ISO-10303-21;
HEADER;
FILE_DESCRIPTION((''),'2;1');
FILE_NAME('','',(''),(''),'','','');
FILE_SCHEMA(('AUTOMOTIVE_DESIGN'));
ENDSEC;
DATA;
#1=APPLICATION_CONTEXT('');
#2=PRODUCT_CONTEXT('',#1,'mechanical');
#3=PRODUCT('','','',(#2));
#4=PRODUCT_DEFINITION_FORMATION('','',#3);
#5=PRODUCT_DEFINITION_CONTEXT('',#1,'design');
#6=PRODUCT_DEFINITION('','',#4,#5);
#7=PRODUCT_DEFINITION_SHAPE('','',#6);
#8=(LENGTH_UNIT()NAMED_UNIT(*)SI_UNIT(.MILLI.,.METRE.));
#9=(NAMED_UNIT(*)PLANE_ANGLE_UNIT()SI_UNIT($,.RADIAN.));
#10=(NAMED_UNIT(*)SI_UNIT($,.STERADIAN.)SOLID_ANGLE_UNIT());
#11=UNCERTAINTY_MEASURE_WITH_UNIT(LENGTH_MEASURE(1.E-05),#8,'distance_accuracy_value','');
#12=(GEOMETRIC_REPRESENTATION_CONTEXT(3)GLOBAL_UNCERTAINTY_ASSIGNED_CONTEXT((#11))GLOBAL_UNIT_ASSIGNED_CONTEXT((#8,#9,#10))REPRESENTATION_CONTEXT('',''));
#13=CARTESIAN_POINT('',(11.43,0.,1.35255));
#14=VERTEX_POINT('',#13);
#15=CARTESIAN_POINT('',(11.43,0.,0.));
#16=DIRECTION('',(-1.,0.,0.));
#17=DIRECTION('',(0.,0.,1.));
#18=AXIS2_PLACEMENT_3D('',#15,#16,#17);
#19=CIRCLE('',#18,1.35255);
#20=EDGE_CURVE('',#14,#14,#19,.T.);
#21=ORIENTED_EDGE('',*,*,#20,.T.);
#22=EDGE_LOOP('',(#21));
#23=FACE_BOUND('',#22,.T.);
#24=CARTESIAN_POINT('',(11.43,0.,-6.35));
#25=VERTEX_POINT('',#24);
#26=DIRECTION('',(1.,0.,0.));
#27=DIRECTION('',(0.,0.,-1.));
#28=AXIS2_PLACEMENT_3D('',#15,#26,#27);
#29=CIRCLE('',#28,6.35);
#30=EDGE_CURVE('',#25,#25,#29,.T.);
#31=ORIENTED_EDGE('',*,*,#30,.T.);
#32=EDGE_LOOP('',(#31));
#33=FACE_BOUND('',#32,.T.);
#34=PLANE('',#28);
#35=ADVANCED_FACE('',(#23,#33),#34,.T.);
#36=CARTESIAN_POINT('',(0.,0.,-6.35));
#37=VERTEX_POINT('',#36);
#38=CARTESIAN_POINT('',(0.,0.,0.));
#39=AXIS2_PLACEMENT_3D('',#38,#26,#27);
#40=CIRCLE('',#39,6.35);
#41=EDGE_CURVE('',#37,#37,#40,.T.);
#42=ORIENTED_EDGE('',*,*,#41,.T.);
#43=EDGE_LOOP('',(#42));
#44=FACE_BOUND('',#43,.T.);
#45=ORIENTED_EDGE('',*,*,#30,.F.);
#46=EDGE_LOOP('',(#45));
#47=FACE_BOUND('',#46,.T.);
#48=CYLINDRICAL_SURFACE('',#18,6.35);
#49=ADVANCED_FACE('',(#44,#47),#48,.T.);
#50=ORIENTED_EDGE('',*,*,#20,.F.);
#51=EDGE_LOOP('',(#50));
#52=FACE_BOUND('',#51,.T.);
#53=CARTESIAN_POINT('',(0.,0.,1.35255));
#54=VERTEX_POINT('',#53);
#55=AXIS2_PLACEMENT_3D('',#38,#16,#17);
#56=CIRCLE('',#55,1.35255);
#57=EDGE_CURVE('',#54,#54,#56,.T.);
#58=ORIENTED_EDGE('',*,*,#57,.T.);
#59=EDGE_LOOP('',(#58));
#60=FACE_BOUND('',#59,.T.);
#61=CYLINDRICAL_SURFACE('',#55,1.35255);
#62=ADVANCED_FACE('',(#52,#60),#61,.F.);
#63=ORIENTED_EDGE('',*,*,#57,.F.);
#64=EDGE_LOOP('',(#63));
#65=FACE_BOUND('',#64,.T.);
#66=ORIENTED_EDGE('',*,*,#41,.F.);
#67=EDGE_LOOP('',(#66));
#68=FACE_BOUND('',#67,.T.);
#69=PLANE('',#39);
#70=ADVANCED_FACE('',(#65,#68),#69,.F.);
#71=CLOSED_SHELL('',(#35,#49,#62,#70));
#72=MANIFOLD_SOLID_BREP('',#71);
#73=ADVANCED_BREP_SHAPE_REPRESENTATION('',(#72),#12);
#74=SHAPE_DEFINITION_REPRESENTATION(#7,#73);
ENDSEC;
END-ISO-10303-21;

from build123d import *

# Parameters (mm, degrees)
SKETCH1_R             = 6.35
BOSS_EXTRUDE1_DEPTH   = 11.43
F_6_32_TAPPED_HOLE1_D = 2.7051


with BuildPart() as part:
    # Sketch1 → Boss-Extrude1 (new body)
    with BuildSketch(Plane(origin=(0, 0, 0), x_dir=(0, 0, -1), z_dir=(1, 0, 0))):
        Circle(SKETCH1_R)
    extrude(amount=BOSS_EXTRUDE1_DEPTH)

    # #6-32 Tapped Hole1 (through all)
    with Locations(Plane.ZY):
        with Locations((0, 0)):
            Hole(F_6_32_TAPPED_HOLE1_D / 2)


solid = part.part
